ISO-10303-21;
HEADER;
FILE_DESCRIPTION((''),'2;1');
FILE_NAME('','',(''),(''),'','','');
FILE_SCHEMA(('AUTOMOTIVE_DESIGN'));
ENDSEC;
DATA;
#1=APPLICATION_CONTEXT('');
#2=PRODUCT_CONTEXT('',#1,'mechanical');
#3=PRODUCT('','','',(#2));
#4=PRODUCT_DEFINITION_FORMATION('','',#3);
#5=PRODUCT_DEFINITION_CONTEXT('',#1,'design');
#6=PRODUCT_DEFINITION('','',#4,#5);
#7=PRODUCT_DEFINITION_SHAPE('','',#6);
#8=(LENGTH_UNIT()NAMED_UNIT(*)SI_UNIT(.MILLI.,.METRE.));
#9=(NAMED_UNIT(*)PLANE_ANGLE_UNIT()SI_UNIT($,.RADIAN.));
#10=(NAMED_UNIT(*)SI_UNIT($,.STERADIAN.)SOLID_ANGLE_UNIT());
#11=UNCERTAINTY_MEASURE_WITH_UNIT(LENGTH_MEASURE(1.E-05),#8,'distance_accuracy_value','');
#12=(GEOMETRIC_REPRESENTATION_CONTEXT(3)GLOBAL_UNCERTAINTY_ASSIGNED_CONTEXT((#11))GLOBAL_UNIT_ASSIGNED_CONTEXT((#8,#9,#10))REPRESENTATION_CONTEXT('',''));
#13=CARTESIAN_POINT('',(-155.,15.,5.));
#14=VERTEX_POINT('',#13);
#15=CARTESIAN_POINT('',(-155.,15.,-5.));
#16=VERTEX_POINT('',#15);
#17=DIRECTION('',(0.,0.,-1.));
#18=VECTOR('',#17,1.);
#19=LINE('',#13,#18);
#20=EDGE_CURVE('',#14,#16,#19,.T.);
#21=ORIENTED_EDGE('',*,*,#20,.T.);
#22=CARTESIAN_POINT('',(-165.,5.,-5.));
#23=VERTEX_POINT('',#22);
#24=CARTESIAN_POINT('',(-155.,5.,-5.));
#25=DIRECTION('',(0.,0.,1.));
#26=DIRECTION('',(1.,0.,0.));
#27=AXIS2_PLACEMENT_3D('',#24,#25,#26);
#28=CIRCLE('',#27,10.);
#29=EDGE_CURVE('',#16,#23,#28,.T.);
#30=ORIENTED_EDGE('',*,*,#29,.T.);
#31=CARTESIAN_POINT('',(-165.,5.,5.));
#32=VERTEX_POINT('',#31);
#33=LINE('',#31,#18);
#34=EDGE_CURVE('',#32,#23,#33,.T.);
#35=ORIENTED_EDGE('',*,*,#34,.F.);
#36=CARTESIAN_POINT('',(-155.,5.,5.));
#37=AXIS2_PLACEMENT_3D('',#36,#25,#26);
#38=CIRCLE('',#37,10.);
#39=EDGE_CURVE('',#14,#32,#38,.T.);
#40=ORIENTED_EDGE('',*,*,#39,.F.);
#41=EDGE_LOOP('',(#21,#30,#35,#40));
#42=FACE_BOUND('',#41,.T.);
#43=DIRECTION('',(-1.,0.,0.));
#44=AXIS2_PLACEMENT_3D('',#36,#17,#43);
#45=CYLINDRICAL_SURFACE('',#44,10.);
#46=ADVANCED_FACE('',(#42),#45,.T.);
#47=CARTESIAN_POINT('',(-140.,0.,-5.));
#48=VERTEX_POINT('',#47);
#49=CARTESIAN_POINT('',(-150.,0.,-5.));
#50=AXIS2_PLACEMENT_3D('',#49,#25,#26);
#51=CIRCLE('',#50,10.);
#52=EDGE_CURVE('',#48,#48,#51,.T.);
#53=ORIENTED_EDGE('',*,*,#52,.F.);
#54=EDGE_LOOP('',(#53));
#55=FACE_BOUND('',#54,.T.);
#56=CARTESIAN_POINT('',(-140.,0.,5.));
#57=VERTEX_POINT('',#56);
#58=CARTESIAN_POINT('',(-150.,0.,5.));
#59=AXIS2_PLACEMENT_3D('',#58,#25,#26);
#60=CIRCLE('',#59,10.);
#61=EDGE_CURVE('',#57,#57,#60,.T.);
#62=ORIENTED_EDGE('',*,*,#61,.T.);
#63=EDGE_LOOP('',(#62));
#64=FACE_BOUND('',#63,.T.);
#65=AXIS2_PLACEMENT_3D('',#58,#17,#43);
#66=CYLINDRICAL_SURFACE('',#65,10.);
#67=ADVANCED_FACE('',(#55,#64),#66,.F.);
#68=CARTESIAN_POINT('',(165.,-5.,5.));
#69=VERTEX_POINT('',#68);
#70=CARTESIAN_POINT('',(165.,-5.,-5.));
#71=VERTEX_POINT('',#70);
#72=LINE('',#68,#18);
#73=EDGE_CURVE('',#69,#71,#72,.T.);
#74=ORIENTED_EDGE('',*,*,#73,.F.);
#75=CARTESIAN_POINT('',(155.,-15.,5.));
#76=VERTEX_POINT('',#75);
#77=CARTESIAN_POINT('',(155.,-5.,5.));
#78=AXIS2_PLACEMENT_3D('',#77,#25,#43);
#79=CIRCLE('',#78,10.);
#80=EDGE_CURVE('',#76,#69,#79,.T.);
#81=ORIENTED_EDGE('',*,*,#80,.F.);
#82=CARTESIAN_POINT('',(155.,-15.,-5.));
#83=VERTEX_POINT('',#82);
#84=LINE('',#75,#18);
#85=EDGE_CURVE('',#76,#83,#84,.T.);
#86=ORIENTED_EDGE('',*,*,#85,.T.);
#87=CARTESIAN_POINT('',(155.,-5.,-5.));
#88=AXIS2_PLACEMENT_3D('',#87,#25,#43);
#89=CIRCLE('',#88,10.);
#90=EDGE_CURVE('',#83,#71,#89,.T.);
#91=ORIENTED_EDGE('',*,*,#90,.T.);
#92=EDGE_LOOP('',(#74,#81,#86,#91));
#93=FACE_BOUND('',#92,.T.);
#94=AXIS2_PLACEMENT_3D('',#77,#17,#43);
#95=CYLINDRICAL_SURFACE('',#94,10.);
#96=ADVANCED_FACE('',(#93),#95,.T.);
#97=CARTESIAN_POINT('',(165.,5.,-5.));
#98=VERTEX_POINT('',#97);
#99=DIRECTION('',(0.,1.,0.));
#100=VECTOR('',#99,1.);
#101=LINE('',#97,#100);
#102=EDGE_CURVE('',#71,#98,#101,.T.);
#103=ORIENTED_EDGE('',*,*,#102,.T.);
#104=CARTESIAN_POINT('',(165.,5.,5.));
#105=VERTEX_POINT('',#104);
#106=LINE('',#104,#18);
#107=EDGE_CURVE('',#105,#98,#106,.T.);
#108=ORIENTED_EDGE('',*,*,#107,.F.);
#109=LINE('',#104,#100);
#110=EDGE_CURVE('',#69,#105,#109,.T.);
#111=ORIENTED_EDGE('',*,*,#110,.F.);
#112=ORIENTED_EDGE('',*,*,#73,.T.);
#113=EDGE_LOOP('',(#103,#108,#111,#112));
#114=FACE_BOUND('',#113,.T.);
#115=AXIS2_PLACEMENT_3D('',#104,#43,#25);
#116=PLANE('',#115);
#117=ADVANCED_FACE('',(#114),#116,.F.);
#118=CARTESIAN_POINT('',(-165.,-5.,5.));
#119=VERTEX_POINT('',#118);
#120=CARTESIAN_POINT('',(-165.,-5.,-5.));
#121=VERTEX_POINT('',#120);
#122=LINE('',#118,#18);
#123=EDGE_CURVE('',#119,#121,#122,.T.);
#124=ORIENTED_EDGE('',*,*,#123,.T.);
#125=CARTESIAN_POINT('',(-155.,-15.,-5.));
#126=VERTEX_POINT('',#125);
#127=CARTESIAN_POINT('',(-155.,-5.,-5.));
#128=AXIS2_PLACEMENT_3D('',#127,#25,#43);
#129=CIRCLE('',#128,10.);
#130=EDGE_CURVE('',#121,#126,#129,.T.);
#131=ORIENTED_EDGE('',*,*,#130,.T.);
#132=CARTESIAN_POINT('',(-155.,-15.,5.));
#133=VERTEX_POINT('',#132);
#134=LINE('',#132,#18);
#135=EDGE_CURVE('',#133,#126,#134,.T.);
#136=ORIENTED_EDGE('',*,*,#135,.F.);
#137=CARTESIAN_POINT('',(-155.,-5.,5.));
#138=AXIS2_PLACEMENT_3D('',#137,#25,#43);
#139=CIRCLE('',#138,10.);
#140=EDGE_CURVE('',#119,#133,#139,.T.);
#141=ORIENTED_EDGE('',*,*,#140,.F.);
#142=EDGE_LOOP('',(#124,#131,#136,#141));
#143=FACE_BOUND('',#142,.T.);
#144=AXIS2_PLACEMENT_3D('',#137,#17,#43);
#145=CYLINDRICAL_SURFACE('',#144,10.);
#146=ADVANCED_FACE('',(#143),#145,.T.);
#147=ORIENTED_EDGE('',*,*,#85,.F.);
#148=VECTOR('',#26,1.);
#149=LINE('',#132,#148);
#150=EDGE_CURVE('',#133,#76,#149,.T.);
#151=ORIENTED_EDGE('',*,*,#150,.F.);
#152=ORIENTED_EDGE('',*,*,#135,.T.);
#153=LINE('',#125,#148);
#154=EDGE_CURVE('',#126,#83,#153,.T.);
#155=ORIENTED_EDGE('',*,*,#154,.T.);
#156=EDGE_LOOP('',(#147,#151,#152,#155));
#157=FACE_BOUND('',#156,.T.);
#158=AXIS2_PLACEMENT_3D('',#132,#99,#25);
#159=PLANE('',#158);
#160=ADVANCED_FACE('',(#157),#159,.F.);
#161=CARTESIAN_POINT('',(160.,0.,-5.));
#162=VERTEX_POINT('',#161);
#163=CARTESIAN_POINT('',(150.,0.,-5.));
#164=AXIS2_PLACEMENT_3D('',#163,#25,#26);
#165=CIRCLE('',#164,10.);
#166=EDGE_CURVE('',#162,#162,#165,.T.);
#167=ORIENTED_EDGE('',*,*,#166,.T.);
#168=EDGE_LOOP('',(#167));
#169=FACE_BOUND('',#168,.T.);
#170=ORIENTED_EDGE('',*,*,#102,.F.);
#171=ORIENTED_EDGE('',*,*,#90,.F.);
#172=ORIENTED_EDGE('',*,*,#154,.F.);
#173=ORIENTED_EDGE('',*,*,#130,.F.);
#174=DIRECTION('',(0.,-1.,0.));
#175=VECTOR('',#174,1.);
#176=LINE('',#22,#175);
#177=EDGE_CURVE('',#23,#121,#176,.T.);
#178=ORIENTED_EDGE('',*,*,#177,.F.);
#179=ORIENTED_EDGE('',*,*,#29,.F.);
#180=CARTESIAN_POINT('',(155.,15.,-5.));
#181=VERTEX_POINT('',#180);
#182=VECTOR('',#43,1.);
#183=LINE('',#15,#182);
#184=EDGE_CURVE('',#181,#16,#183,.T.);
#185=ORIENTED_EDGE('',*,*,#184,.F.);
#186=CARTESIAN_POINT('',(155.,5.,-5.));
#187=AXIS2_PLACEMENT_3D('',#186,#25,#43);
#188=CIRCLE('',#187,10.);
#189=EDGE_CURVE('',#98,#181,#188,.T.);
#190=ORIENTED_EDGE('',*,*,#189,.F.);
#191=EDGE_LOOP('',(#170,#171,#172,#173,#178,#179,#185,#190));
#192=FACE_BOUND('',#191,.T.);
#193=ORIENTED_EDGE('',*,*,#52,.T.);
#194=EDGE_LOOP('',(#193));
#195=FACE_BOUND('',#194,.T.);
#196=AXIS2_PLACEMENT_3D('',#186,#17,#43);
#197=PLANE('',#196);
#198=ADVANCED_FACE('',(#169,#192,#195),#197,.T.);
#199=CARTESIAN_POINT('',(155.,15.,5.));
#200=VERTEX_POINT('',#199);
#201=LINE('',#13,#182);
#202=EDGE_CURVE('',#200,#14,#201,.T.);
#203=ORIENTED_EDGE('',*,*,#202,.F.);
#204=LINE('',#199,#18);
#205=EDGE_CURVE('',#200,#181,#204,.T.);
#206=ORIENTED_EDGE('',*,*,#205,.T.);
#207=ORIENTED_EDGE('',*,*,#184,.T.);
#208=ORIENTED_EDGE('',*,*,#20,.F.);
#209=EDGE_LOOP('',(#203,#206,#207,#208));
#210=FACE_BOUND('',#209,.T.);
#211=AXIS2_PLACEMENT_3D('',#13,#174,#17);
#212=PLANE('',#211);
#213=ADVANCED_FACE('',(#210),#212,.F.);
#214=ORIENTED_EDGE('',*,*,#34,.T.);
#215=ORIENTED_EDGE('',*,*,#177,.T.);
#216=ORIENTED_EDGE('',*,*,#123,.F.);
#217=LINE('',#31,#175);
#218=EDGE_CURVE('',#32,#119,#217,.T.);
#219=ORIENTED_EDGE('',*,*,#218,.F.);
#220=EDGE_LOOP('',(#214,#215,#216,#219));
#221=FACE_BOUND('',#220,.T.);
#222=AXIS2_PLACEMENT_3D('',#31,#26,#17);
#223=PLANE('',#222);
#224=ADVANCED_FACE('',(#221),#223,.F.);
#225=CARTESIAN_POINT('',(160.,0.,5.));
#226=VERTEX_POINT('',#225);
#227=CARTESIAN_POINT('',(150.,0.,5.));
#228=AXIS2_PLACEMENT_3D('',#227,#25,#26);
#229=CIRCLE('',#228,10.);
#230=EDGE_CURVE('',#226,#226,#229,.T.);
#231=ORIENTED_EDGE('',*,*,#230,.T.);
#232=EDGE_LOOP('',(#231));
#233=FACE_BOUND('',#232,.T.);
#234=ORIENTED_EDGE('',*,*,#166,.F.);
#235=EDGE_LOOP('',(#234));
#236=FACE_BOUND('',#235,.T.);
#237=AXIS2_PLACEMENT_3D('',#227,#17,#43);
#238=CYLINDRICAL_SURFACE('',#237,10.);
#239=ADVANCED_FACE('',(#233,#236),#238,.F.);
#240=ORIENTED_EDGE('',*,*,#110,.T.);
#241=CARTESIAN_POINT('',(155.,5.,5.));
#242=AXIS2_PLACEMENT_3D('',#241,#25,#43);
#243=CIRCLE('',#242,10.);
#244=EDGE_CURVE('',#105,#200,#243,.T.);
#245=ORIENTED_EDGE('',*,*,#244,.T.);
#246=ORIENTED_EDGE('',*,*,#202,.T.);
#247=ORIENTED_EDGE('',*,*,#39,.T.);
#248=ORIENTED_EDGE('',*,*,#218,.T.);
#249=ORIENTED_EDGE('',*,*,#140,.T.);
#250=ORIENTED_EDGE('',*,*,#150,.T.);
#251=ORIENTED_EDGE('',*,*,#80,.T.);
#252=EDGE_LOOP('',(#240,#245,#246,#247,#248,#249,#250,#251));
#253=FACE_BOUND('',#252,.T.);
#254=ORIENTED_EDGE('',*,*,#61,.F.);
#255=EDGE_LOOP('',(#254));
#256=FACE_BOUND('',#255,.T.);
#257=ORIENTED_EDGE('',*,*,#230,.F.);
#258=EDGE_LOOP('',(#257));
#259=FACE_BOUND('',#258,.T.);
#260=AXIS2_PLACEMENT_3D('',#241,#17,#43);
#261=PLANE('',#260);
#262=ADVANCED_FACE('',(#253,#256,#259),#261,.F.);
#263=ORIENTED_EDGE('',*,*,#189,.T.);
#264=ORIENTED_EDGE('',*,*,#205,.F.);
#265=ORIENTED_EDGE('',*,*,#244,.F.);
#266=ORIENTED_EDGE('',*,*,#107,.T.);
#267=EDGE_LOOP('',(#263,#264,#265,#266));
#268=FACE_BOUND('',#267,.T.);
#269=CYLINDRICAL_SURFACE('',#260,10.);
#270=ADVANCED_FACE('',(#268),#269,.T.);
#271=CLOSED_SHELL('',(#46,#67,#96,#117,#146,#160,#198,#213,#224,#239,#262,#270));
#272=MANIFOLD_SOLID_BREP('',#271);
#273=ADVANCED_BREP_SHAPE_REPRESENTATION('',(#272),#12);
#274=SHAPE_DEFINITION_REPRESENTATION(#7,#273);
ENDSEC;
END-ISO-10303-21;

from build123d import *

# Parameters (mm, degrees)
CROQUIS1_R              = 10
SALIENTE_EXTRUIR1_DEPTH = 5


with BuildPart() as part:
    # Croquis1 → Saliente-Extruir1 (new body, symmetric)
    with BuildSketch(Plane.XY):
        with BuildLine():
            Line((-155, 15), (155, 15))
            ThreePointArc((155, 15), (162.071067812, 12.071067812), (165, 5))
            Line((165, 5), (165, -5))
            ThreePointArc((165, -5), (162.071067812, -12.071067812), (155, -15))
            Line((155, -15), (-155, -15))
            ThreePointArc((-155, -15), (-162.071067812, -12.071067812), (-165, -5))
            Line((-165, -5), (-165, 5))
            ThreePointArc((-165, 5), (-162.071067812, 12.071067812), (-155, 15))
        make_face()
        with Locations((-150, 0)):
            Circle(CROQUIS1_R, mode=Mode.SUBTRACT)
        with Locations((150, 0)):
            Circle(CROQUIS1_R, mode=Mode.SUBTRACT)
    extrude(amount=SALIENTE_EXTRUIR1_DEPTH, both=True)


solid = part.part
